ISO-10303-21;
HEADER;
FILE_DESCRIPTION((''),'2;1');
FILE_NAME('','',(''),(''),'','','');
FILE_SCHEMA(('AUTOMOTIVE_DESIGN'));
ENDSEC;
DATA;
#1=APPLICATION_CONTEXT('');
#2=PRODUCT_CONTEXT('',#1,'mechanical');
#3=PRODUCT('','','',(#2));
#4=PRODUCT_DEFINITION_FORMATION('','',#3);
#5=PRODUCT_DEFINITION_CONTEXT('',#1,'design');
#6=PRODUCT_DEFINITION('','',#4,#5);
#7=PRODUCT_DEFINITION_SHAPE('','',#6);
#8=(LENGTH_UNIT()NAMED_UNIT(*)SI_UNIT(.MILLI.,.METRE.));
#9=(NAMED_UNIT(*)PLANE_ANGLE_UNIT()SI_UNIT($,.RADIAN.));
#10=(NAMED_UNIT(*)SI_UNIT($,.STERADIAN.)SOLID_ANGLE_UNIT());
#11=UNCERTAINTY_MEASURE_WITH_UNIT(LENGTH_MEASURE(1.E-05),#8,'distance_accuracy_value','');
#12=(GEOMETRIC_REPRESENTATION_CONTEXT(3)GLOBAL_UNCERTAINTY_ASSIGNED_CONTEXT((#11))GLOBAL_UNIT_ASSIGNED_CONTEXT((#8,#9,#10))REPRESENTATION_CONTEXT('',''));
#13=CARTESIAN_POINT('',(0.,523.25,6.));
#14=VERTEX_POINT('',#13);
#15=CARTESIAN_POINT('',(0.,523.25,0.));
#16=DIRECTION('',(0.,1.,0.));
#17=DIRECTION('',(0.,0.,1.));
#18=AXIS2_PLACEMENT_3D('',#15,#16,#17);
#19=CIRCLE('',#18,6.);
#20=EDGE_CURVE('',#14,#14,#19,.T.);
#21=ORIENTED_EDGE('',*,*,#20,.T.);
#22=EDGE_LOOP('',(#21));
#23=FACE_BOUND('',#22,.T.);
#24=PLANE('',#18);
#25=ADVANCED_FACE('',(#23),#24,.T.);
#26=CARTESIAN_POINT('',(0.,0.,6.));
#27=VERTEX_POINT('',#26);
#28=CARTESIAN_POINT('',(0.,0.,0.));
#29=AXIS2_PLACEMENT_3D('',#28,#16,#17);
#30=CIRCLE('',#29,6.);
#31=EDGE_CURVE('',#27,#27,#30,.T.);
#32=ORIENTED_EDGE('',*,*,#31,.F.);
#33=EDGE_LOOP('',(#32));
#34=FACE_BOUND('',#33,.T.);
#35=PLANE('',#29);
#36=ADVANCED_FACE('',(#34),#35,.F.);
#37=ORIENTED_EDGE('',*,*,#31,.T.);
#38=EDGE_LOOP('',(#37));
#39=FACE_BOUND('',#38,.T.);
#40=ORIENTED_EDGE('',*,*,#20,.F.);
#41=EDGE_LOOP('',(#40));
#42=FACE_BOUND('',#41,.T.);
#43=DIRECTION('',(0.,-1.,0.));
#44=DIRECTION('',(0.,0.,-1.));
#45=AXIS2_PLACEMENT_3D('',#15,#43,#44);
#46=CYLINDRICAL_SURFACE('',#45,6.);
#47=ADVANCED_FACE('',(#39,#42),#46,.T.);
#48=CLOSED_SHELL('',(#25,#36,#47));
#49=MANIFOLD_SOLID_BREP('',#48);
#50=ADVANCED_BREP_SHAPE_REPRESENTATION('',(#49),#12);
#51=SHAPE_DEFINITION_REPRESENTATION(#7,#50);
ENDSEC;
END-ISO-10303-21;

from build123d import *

# Parameters (mm, degrees)
SKETCH1_R           = 6
BOSS_EXTRUDE1_DEPTH = 523.25


with BuildPart() as part:
    # Sketch1 → Boss-Extrude1 (new body)
    with BuildSketch(Plane(origin=(0, 0, 0), x_dir=(1, 0, 0), z_dir=(0, 1, 0))):
        with Locations(Location((0, 0, 0), (0, 0, 270))):
            Circle(SKETCH1_R)
    extrude(amount=BOSS_EXTRUDE1_DEPTH)


solid = part.part
